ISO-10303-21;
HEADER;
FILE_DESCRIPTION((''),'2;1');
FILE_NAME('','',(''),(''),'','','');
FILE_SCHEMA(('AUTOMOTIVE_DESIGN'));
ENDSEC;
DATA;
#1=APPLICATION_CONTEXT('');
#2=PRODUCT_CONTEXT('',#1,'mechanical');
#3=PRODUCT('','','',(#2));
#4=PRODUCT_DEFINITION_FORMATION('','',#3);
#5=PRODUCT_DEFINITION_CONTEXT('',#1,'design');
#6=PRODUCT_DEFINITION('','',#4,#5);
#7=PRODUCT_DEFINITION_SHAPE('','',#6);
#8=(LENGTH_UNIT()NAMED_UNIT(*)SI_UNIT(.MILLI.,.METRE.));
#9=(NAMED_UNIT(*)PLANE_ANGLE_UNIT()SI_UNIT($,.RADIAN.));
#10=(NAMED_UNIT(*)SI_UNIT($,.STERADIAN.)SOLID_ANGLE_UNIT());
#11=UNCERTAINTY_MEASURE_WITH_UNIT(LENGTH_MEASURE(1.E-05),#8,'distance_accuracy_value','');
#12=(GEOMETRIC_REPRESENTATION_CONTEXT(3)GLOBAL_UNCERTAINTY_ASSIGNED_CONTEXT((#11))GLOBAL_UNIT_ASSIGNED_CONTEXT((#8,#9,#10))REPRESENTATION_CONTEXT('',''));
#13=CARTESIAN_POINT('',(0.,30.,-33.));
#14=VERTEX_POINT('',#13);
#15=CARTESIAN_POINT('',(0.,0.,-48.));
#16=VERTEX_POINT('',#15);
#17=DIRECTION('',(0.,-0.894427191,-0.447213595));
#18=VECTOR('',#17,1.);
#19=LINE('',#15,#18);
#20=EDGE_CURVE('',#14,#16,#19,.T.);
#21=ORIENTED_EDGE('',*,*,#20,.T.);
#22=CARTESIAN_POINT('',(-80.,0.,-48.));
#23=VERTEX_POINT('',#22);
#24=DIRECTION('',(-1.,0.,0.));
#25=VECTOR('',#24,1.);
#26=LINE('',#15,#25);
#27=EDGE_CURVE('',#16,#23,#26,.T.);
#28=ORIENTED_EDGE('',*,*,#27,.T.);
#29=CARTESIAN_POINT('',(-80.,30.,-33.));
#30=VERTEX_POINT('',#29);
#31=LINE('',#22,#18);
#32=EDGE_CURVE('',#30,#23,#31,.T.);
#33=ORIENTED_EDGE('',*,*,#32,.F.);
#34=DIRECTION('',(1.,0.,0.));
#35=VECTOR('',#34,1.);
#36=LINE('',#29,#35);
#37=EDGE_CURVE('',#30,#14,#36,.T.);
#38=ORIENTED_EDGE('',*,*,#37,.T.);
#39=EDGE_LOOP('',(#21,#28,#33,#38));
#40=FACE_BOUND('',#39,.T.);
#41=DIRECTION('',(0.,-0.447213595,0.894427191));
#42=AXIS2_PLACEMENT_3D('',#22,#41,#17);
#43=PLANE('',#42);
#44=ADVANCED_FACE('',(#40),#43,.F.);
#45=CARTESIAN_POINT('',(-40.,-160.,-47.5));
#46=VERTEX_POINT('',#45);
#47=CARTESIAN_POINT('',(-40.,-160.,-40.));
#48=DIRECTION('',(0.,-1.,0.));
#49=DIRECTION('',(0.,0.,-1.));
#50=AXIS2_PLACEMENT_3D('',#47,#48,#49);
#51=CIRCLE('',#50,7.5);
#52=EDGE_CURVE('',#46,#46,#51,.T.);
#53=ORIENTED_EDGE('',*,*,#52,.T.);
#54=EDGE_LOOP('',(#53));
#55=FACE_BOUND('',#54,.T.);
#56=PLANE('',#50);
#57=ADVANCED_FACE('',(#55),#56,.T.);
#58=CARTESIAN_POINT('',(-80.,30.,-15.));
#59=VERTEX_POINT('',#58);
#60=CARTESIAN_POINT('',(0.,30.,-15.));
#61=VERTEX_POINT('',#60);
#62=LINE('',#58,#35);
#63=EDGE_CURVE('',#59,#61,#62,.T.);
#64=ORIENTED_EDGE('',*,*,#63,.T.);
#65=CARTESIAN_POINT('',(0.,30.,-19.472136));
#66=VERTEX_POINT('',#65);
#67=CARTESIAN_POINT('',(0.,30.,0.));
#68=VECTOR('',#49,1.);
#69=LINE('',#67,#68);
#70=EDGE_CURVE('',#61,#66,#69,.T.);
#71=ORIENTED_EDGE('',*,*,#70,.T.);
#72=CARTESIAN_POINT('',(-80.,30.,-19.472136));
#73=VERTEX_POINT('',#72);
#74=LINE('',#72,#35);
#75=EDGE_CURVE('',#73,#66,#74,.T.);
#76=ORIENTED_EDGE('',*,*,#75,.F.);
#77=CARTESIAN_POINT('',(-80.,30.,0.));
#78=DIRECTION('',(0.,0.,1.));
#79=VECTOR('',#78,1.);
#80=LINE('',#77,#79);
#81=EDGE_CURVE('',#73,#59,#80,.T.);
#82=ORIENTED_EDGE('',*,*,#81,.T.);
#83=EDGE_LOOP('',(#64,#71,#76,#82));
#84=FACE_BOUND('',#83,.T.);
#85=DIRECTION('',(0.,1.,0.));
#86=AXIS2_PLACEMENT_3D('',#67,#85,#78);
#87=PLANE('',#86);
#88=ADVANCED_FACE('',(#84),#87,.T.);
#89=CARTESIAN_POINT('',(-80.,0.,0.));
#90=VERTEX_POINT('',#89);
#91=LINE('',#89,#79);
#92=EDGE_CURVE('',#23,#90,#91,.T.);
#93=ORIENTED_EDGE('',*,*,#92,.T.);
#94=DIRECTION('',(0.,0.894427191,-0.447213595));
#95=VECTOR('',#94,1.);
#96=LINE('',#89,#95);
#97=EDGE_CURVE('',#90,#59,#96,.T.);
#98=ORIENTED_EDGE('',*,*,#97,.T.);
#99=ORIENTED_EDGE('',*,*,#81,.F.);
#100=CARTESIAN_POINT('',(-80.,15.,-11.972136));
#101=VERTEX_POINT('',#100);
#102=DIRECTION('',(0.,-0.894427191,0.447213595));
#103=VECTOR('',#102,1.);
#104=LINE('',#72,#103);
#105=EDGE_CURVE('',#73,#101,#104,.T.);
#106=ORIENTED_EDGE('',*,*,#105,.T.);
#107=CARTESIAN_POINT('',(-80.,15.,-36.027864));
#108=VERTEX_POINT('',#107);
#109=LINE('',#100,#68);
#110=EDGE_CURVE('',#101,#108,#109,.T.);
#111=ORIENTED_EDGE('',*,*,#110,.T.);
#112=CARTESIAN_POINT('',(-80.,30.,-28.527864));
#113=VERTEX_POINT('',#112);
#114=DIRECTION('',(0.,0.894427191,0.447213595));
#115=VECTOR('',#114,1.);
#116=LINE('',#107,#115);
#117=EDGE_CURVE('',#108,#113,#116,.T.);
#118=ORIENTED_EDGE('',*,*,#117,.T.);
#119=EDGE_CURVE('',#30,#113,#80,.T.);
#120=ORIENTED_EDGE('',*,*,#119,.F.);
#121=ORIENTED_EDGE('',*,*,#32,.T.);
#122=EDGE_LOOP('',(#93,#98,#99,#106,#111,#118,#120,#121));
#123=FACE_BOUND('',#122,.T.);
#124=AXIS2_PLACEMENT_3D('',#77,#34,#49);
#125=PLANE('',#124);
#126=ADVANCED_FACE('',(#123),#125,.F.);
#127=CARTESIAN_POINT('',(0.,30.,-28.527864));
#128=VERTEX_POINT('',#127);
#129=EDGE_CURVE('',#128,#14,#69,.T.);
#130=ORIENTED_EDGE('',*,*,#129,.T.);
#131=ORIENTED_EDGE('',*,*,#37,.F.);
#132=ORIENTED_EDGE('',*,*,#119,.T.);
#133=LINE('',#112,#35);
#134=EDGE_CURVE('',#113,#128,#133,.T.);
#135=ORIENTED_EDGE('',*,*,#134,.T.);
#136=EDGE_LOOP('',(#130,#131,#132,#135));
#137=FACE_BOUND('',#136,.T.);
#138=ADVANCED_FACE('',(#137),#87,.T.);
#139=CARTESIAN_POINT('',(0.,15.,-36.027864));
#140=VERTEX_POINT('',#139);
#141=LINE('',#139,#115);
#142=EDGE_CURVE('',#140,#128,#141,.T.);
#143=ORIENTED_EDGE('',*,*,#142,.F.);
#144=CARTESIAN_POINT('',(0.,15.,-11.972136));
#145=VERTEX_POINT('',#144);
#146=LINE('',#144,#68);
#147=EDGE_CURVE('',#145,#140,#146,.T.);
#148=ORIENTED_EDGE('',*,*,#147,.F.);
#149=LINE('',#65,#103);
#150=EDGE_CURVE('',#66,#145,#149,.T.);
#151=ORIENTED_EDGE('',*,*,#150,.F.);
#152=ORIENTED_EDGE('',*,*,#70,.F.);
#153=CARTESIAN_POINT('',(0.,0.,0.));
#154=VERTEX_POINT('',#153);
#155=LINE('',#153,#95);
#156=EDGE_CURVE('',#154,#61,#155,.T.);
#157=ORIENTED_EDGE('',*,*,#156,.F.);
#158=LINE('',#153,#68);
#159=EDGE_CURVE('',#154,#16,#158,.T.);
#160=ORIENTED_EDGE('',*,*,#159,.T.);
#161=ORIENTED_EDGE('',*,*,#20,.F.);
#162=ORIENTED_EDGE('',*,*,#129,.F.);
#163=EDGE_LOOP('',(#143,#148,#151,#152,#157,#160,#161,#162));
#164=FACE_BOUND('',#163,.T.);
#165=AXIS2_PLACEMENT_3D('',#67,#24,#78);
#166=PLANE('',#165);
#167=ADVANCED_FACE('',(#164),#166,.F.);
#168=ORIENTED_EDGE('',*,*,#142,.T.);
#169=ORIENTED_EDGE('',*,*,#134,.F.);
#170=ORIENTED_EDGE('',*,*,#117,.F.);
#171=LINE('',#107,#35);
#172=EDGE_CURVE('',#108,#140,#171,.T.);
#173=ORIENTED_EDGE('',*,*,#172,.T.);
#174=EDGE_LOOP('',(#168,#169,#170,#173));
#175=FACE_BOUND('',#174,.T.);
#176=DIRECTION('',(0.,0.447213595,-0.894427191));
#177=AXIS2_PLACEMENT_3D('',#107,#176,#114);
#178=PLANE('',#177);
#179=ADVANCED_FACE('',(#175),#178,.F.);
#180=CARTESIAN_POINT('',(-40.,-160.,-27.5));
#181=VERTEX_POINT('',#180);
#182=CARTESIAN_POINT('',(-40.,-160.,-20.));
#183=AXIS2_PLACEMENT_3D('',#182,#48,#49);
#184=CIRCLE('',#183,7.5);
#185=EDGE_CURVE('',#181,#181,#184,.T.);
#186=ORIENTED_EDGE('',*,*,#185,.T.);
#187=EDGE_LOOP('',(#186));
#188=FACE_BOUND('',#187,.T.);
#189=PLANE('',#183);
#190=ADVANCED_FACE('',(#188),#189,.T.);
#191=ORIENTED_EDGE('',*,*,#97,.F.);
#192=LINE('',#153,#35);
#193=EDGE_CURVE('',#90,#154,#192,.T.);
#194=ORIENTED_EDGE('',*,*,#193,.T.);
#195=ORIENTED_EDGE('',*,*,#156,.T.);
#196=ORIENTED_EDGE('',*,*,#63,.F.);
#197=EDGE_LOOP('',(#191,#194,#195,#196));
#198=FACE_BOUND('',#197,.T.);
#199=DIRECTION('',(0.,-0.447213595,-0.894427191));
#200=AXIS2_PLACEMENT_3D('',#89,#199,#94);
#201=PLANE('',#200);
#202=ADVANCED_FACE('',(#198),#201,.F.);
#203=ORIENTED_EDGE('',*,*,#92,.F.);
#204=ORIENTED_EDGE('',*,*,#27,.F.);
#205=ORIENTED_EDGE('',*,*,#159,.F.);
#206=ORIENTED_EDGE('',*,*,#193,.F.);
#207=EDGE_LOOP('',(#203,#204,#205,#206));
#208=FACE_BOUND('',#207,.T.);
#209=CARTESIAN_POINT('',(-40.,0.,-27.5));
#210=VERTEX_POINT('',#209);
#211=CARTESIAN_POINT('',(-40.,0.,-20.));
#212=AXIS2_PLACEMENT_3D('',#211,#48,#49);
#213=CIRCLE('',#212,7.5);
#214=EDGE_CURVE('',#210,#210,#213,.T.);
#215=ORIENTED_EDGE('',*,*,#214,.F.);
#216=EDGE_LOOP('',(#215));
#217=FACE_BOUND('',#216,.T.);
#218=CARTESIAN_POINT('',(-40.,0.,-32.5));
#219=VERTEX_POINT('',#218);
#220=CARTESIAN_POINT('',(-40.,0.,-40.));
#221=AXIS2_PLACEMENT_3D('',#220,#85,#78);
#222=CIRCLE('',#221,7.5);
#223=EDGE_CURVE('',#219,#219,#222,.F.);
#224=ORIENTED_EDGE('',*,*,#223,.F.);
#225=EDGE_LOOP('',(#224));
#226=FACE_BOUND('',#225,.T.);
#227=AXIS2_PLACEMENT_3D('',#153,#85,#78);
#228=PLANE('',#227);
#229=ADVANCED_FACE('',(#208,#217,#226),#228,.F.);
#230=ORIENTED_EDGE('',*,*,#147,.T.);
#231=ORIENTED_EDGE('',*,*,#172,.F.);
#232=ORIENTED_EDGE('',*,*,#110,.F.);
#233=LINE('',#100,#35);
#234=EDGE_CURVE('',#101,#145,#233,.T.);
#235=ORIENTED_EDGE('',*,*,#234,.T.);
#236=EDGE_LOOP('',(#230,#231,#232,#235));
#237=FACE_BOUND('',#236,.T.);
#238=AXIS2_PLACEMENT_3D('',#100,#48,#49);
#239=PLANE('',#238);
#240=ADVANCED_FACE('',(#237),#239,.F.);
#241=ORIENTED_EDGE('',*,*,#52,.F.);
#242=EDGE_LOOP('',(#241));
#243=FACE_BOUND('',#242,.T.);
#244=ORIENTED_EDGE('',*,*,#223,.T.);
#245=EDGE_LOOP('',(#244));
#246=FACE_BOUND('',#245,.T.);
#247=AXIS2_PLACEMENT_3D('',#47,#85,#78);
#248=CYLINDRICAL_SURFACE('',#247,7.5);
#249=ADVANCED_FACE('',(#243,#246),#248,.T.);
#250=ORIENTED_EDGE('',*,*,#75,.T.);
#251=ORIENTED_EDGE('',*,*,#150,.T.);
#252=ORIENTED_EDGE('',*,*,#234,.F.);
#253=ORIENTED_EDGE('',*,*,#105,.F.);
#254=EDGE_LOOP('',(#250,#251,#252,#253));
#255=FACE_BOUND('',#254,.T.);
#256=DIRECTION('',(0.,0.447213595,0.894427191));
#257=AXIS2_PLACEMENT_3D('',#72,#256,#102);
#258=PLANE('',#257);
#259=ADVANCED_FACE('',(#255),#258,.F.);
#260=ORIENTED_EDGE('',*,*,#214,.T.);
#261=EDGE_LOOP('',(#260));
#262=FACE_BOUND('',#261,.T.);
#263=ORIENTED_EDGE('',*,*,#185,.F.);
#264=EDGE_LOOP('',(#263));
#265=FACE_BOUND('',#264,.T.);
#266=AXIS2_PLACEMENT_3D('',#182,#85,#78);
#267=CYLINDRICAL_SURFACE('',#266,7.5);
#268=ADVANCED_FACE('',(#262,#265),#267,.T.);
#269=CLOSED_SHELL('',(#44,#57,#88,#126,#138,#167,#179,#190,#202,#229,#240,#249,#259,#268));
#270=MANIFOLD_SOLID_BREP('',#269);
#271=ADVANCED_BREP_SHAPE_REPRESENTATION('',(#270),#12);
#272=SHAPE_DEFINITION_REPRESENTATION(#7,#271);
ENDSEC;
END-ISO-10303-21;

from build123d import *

# Parameters (mm, degrees)
SKETCH1_W           = 80
SKETCH1_H           = 48
BOSS_EXTRUDE1_DEPTH = 30
CUT_EXTRUDE1_DEPTH  = 99
CUT_EXTRUDE2_DEPTH  = 99
SKETCH4_R           = 7.5
BOSS_EXTRUDE2_DEPTH = 160


with BuildPart() as part:
    # Sketch1 → Boss-Extrude1 (new body)
    with BuildSketch(Plane(origin=(0, 0, 0), x_dir=(1, 0, 0), z_dir=(0, 1, 0))):
        with Locations((-40, 24)):
            Rectangle(SKETCH1_W, SKETCH1_H)
    extrude(amount=BOSS_EXTRUDE1_DEPTH)

    # Sketch2 → Cut-Extrude1 (cut, through all)
    with BuildSketch(Plane(origin=(0, 0, 0), x_dir=(0, 0, -1), z_dir=(1, 0, 0))):
        Polygon((0, 0), (15, 30), (0, 30), align=None)
        Polygon((48, 0), (33, 30), (48, 30), align=None)
    extrude(amount=-CUT_EXTRUDE1_DEPTH, mode=Mode.SUBTRACT)

    # Sketch3 → Cut-Extrude2 (cut, through all)
    with BuildSketch(Plane(origin=(0, 0, 0), x_dir=(0, 0, -1), z_dir=(1, 0, 0))):
        Polygon((19.472135955, 30), (11.972135955, 15), (36.027864045, 15), (28.527864045, 30), align=None)
    extrude(amount=-CUT_EXTRUDE2_DEPTH, mode=Mode.SUBTRACT)

    # Sketch4 → Boss-Extrude2 (add)
    with BuildSketch(Plane.XZ):
        with Locations(Location((-40, -20, 0), (0, 0, 270))):
            Circle(SKETCH4_R)
        with Locations(Location((-40, -40, 0), (0, 0, 90))):
            Circle(SKETCH4_R)
    extrude(amount=BOSS_EXTRUDE2_DEPTH)


solid = part.part
